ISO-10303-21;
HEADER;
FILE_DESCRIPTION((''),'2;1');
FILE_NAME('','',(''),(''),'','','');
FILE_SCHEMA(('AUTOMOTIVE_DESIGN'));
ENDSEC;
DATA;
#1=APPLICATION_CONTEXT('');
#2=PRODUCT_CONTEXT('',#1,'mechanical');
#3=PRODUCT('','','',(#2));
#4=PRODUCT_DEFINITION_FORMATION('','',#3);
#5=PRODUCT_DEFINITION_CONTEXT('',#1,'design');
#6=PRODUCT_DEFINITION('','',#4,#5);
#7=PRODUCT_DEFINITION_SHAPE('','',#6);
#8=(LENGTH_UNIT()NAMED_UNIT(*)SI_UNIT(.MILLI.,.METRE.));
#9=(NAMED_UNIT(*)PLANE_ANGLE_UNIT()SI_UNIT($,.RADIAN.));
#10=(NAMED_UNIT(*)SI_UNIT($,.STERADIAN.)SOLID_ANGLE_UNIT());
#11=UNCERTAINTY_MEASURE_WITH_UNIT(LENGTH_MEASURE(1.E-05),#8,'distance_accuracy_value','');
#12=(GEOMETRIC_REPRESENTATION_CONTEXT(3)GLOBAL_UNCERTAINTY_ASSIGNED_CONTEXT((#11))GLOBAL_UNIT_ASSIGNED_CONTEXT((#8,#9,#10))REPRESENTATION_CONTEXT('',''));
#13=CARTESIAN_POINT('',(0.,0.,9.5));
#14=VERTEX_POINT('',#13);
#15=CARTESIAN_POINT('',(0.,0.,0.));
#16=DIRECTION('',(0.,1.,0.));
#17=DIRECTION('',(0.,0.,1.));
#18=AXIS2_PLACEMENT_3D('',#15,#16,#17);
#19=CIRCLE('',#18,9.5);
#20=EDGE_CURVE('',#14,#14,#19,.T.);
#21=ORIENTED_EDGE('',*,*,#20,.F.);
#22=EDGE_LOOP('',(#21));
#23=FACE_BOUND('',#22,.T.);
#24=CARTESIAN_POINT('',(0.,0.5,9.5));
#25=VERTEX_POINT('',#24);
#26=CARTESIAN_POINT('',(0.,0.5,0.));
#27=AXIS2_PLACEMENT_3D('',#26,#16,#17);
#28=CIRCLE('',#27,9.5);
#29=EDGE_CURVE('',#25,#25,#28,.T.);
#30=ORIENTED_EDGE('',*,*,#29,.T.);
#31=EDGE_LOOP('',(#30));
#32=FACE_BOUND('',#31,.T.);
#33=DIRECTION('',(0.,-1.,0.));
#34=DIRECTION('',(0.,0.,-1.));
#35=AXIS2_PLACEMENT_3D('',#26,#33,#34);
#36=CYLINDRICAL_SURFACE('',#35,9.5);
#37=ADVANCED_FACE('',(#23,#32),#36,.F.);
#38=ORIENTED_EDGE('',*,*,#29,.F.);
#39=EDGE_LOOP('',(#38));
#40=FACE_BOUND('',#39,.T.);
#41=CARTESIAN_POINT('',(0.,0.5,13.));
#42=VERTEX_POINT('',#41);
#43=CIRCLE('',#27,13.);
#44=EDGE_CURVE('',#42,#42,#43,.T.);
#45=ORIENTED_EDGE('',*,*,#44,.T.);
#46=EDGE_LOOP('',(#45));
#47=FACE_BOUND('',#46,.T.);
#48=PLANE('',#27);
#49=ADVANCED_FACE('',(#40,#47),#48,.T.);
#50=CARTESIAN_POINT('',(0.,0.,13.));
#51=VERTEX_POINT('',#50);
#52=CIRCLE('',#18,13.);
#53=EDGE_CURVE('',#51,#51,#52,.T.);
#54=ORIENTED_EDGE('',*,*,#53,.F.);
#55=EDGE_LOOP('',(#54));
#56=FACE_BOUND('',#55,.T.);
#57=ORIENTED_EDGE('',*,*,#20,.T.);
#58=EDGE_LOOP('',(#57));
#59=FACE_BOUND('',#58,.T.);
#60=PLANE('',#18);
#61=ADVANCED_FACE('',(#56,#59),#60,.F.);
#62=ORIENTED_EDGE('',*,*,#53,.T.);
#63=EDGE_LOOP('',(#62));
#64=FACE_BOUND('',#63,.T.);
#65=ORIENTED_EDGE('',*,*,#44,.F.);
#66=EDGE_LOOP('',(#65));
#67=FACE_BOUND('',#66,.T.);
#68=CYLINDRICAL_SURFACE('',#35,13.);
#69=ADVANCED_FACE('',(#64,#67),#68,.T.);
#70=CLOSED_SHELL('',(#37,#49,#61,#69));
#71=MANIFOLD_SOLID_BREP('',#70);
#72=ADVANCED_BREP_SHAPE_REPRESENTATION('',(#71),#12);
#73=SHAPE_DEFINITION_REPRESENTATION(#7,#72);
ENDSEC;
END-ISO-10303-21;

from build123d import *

# Parameters (mm, degrees)
SKETCH1_R           = 13
SKETCH1_R_2         = 9.5
BOSS_EXTRUDE1_DEPTH = 0.5


with BuildPart() as part:
    # Sketch1 → Boss-Extrude1 (new body)
    with BuildSketch(Plane(origin=(0, 0, 0), x_dir=(1, 0, 0), z_dir=(0, 1, 0))):
        Circle(SKETCH1_R)
        Circle(SKETCH1_R_2, mode=Mode.SUBTRACT)
    extrude(amount=BOSS_EXTRUDE1_DEPTH)


solid = part.part
